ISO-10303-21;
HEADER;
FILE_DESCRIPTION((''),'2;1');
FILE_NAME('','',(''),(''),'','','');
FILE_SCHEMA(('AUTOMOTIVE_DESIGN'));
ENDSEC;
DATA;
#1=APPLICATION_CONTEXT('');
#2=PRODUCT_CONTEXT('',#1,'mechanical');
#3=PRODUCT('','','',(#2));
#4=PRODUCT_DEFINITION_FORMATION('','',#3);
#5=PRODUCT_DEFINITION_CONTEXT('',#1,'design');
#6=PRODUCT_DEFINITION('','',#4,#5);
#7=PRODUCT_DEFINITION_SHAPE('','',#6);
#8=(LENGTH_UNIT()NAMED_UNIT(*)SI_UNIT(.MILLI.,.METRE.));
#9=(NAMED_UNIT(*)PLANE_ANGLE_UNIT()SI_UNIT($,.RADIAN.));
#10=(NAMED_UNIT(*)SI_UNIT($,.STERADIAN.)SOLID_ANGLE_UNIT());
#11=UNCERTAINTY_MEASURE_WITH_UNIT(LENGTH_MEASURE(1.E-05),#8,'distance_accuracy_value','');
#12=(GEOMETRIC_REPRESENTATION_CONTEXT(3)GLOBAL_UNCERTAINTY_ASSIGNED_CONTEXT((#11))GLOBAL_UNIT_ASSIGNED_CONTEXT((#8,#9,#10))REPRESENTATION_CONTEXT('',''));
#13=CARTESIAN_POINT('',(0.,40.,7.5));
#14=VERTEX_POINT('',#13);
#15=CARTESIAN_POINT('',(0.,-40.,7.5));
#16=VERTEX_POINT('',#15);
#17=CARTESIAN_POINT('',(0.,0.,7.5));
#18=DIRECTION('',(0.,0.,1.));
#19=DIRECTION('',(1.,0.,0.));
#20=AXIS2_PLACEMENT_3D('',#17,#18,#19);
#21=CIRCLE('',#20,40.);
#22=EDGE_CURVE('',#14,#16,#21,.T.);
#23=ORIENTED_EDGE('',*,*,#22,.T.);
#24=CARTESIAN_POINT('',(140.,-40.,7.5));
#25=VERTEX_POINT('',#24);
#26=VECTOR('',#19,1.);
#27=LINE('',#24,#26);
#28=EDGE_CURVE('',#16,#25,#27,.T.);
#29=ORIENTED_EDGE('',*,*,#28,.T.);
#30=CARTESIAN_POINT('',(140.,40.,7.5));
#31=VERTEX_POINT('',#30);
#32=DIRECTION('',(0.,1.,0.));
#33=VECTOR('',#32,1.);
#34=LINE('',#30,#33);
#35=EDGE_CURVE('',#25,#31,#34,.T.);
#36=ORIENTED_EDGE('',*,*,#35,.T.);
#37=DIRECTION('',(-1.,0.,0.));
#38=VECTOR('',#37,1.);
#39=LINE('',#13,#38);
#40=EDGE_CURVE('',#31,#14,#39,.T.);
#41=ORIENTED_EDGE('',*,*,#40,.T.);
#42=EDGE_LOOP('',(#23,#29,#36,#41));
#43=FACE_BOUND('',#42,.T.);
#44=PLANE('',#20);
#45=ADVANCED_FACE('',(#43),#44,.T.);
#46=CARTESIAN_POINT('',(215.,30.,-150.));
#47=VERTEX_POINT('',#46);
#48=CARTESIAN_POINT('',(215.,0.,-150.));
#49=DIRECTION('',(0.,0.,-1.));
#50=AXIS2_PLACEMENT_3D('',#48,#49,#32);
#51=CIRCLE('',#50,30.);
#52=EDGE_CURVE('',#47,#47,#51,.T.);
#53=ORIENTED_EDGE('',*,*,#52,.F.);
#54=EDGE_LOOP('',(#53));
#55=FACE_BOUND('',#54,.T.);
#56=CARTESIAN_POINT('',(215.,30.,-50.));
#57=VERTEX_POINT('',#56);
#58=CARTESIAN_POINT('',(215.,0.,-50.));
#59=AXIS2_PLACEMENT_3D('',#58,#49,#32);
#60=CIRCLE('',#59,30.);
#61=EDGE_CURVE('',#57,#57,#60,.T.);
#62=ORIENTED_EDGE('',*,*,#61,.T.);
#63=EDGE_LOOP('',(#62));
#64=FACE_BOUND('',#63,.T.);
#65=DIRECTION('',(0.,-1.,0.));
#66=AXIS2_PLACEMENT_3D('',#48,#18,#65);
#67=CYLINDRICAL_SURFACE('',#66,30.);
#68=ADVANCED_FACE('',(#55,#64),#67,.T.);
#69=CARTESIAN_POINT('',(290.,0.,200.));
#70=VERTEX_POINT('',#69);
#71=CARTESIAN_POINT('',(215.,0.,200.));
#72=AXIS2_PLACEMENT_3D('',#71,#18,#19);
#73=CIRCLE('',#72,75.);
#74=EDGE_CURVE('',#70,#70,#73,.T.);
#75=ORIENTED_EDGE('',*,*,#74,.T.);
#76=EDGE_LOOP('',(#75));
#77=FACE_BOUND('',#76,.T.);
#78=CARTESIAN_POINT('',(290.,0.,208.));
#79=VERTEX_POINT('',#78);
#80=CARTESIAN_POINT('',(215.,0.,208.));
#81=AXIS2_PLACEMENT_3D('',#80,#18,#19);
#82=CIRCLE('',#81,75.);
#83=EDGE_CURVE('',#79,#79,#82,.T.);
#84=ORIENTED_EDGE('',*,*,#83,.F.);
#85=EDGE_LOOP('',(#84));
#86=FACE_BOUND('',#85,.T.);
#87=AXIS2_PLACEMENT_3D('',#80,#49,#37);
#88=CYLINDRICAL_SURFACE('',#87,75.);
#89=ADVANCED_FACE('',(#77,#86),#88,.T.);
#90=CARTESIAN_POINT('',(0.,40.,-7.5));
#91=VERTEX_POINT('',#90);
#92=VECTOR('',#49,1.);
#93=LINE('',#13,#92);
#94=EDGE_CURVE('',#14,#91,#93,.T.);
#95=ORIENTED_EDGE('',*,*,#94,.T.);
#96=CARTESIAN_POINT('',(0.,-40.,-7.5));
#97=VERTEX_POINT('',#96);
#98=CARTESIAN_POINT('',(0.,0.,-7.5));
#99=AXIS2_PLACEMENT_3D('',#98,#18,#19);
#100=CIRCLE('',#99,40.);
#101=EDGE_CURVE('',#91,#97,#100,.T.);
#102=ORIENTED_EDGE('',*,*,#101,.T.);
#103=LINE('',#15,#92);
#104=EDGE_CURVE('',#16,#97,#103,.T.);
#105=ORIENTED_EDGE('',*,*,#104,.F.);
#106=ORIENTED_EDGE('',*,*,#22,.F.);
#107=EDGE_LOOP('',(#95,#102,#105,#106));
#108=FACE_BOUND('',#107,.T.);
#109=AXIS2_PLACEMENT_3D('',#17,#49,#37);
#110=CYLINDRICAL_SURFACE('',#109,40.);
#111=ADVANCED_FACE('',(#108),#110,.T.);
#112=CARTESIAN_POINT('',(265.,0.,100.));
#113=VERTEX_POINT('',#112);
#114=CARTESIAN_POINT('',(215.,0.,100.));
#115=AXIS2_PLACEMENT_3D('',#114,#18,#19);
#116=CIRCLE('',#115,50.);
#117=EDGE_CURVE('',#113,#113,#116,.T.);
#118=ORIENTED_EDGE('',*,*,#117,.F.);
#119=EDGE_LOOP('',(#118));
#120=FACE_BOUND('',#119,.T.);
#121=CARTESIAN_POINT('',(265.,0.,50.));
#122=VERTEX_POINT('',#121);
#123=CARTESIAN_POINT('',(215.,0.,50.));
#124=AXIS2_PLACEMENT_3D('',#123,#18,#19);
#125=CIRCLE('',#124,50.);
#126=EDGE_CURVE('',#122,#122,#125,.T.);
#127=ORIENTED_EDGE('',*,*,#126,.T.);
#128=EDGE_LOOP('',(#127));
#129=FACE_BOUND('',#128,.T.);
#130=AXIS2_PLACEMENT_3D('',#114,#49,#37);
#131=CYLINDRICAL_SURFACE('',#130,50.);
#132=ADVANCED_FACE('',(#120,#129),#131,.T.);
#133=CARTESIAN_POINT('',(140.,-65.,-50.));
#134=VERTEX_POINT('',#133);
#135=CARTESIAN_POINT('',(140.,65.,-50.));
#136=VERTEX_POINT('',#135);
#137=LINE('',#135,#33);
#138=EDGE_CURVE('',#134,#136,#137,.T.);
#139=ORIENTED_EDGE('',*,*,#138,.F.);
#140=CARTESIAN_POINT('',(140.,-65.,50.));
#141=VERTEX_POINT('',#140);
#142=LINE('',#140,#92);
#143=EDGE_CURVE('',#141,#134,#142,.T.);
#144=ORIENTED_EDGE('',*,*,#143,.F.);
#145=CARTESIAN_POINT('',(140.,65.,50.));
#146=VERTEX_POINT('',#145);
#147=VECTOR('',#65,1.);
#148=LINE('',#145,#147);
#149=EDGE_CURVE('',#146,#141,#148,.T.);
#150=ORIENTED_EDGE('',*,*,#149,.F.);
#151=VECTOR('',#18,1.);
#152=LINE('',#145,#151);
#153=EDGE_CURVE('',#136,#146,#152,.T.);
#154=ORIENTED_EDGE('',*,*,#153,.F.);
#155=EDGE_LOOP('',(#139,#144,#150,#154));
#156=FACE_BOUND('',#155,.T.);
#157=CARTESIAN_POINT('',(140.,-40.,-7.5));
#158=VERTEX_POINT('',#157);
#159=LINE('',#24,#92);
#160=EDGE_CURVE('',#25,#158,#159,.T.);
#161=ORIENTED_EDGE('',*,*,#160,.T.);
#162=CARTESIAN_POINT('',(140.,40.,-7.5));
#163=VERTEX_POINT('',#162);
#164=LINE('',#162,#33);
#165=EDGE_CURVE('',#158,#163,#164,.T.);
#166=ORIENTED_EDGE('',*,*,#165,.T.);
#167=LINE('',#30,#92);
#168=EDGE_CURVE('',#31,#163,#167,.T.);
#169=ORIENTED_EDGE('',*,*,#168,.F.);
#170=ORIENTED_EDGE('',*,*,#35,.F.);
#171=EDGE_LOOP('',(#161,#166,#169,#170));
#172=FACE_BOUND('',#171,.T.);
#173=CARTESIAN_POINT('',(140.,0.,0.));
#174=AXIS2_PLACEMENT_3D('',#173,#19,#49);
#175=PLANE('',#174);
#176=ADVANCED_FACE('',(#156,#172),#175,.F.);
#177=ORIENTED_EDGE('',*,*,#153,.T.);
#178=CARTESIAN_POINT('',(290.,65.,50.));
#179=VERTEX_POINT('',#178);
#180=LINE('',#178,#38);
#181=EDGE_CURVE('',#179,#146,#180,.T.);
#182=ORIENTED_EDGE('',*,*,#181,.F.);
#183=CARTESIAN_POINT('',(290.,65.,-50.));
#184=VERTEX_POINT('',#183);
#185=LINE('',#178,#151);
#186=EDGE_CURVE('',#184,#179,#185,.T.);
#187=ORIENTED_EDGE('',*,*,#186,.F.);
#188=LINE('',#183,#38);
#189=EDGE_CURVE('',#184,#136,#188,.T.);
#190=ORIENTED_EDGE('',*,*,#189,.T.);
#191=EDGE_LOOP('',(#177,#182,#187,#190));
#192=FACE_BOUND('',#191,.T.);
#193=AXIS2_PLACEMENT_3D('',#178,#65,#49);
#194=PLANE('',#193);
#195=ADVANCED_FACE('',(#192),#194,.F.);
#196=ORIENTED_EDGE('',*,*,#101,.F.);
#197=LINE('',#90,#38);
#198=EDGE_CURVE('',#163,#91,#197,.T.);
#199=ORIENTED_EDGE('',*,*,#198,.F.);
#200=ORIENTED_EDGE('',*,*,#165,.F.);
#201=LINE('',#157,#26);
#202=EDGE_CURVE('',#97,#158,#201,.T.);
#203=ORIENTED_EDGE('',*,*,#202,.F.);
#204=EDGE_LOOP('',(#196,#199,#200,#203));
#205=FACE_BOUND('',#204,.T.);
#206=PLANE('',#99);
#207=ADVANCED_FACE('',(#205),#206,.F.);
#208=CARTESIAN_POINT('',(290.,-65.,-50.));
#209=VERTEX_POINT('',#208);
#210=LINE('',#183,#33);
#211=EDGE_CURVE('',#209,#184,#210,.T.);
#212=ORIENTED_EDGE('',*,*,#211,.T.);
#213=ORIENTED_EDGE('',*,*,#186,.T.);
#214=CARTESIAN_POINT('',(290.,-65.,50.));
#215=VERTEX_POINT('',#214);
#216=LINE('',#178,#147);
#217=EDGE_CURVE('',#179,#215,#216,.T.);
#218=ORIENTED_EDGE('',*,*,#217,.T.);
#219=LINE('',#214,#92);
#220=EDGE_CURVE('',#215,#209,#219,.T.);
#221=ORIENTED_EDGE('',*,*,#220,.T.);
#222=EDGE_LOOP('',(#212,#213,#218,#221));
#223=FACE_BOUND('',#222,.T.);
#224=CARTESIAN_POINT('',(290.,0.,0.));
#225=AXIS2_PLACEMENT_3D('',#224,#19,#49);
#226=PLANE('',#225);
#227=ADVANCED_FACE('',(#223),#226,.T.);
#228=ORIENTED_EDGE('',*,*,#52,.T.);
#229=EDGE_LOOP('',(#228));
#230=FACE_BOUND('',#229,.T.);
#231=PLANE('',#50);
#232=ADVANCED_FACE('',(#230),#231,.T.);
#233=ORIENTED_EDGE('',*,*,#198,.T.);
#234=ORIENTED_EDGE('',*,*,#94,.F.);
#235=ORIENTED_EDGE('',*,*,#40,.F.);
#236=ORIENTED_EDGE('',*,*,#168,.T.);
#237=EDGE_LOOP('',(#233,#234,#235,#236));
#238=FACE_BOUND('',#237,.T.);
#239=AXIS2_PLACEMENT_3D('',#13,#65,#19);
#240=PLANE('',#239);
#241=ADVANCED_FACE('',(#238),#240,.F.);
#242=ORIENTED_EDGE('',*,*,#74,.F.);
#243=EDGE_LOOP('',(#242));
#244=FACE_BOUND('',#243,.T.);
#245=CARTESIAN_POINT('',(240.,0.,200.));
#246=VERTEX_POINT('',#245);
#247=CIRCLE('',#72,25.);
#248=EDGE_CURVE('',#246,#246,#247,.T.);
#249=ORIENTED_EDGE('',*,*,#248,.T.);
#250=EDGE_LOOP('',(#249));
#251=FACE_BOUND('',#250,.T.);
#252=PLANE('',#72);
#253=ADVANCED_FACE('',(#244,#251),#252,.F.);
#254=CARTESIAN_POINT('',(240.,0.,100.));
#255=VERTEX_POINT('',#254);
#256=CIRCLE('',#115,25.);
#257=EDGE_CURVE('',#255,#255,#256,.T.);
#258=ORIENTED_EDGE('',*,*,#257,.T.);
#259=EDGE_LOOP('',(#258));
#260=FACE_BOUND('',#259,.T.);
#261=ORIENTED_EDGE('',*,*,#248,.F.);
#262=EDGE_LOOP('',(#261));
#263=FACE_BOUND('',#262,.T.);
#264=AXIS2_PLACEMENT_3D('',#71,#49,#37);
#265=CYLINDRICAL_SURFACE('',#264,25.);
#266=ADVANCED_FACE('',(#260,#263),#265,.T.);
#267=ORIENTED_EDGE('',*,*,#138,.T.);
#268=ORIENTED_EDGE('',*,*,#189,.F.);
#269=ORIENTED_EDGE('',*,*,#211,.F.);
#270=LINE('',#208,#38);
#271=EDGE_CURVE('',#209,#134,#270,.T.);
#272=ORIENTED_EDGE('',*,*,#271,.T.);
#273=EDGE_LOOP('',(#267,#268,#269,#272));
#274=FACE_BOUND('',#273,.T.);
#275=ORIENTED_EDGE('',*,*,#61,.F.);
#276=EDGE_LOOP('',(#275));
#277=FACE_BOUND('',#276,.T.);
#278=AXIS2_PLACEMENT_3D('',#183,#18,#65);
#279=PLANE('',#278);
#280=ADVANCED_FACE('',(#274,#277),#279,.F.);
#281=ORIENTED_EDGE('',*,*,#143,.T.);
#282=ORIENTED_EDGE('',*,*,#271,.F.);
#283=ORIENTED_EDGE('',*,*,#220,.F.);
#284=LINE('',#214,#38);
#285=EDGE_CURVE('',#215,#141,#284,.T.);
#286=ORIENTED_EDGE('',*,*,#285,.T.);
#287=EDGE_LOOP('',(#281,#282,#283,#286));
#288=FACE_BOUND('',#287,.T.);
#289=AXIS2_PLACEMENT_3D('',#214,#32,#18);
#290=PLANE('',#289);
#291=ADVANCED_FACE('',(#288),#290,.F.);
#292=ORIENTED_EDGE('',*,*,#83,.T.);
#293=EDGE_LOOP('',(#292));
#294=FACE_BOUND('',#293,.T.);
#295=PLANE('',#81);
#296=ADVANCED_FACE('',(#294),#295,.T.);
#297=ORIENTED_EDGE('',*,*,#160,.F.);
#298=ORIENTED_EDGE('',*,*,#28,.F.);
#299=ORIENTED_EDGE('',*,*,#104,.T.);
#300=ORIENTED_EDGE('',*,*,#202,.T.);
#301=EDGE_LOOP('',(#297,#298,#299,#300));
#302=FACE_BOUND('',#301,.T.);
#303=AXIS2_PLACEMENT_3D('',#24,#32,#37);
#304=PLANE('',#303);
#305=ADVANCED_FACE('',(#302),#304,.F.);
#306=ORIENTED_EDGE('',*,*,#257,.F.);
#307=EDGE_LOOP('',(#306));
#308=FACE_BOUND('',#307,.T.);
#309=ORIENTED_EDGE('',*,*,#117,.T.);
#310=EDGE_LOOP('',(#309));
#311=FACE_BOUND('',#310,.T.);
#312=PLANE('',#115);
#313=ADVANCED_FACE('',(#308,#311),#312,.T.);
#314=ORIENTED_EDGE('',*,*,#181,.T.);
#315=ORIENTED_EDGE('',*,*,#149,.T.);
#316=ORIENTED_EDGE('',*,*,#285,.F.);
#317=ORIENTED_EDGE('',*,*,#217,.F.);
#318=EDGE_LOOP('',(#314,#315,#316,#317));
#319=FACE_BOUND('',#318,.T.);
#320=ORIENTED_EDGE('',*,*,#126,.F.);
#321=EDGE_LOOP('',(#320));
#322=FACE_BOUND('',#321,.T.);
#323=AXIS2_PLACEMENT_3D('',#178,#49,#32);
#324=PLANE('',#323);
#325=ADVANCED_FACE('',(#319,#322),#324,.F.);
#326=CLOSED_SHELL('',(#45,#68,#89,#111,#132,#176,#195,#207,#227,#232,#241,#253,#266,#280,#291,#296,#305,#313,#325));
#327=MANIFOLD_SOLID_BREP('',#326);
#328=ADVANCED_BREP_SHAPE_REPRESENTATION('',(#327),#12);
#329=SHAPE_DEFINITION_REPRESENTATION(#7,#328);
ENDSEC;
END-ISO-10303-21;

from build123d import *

# Parameters (mm, degrees)
BOSS_EXTRUDE1_DEPTH = 7.5
SKETCH3_W           = 100
SKETCH3_H           = 130
BOSS_EXTRUDE2_DEPTH = 150
SKETCH4_R           = 30
BOSS_EXTRUDE3_DEPTH = 100
SKETCH5_R           = 50
BOSS_EXTRUDE4_DEPTH = 50
SKETCH6_R           = 25
BOSS_EXTRUDE5_DEPTH = 100
SKETCH7_R           = 75
BOSS_EXTRUDE6_DEPTH = 8


with BuildPart() as part:
    # Sketch1 → Boss-Extrude1 (new body, symmetric)
    with BuildSketch(Plane.XY):
        with BuildLine():
            Line((0, 40), (140, 40))
            Line((140, 40), (140, -40))
            Line((140, -40), (0, -40))
            ThreePointArc((0, -40), (-40, 0), (0, 40))
        make_face()
    extrude(amount=BOSS_EXTRUDE1_DEPTH, both=True)

    # Sketch3 → Boss-Extrude2 (add)
    with BuildSketch(Plane(origin=(140, 0, 0), x_dir=(0, 0, -1), z_dir=(1, 0, 0))):
        Rectangle(SKETCH3_W, SKETCH3_H)
    extrude(amount=BOSS_EXTRUDE2_DEPTH)

    # Sketch4 → Boss-Extrude3 (add)
    with BuildSketch(Plane(origin=(0, 0, -50), x_dir=(-1, 0, 0), z_dir=(0, 0, -1))):
        with Locations((-215, 0)):
            Circle(SKETCH4_R)
    extrude(amount=BOSS_EXTRUDE3_DEPTH)

    # Sketch5 → Boss-Extrude4 (add)
    with BuildSketch(Plane.XY.offset(50)):
        with Locations((215, 0)):
            Circle(SKETCH5_R)
    extrude(amount=BOSS_EXTRUDE4_DEPTH)

    # Sketch6 → Boss-Extrude5 (add)
    with BuildSketch(Plane.XY.offset(100)):
        with Locations((215, 0)):
            Circle(SKETCH6_R)
    extrude(amount=BOSS_EXTRUDE5_DEPTH)

    # Sketch7 → Boss-Extrude6 (add)
    with BuildSketch(Plane.XY.offset(200)):
        with Locations((215, 0)):
            Circle(SKETCH7_R)
    extrude(amount=BOSS_EXTRUDE6_DEPTH)


solid = part.part
